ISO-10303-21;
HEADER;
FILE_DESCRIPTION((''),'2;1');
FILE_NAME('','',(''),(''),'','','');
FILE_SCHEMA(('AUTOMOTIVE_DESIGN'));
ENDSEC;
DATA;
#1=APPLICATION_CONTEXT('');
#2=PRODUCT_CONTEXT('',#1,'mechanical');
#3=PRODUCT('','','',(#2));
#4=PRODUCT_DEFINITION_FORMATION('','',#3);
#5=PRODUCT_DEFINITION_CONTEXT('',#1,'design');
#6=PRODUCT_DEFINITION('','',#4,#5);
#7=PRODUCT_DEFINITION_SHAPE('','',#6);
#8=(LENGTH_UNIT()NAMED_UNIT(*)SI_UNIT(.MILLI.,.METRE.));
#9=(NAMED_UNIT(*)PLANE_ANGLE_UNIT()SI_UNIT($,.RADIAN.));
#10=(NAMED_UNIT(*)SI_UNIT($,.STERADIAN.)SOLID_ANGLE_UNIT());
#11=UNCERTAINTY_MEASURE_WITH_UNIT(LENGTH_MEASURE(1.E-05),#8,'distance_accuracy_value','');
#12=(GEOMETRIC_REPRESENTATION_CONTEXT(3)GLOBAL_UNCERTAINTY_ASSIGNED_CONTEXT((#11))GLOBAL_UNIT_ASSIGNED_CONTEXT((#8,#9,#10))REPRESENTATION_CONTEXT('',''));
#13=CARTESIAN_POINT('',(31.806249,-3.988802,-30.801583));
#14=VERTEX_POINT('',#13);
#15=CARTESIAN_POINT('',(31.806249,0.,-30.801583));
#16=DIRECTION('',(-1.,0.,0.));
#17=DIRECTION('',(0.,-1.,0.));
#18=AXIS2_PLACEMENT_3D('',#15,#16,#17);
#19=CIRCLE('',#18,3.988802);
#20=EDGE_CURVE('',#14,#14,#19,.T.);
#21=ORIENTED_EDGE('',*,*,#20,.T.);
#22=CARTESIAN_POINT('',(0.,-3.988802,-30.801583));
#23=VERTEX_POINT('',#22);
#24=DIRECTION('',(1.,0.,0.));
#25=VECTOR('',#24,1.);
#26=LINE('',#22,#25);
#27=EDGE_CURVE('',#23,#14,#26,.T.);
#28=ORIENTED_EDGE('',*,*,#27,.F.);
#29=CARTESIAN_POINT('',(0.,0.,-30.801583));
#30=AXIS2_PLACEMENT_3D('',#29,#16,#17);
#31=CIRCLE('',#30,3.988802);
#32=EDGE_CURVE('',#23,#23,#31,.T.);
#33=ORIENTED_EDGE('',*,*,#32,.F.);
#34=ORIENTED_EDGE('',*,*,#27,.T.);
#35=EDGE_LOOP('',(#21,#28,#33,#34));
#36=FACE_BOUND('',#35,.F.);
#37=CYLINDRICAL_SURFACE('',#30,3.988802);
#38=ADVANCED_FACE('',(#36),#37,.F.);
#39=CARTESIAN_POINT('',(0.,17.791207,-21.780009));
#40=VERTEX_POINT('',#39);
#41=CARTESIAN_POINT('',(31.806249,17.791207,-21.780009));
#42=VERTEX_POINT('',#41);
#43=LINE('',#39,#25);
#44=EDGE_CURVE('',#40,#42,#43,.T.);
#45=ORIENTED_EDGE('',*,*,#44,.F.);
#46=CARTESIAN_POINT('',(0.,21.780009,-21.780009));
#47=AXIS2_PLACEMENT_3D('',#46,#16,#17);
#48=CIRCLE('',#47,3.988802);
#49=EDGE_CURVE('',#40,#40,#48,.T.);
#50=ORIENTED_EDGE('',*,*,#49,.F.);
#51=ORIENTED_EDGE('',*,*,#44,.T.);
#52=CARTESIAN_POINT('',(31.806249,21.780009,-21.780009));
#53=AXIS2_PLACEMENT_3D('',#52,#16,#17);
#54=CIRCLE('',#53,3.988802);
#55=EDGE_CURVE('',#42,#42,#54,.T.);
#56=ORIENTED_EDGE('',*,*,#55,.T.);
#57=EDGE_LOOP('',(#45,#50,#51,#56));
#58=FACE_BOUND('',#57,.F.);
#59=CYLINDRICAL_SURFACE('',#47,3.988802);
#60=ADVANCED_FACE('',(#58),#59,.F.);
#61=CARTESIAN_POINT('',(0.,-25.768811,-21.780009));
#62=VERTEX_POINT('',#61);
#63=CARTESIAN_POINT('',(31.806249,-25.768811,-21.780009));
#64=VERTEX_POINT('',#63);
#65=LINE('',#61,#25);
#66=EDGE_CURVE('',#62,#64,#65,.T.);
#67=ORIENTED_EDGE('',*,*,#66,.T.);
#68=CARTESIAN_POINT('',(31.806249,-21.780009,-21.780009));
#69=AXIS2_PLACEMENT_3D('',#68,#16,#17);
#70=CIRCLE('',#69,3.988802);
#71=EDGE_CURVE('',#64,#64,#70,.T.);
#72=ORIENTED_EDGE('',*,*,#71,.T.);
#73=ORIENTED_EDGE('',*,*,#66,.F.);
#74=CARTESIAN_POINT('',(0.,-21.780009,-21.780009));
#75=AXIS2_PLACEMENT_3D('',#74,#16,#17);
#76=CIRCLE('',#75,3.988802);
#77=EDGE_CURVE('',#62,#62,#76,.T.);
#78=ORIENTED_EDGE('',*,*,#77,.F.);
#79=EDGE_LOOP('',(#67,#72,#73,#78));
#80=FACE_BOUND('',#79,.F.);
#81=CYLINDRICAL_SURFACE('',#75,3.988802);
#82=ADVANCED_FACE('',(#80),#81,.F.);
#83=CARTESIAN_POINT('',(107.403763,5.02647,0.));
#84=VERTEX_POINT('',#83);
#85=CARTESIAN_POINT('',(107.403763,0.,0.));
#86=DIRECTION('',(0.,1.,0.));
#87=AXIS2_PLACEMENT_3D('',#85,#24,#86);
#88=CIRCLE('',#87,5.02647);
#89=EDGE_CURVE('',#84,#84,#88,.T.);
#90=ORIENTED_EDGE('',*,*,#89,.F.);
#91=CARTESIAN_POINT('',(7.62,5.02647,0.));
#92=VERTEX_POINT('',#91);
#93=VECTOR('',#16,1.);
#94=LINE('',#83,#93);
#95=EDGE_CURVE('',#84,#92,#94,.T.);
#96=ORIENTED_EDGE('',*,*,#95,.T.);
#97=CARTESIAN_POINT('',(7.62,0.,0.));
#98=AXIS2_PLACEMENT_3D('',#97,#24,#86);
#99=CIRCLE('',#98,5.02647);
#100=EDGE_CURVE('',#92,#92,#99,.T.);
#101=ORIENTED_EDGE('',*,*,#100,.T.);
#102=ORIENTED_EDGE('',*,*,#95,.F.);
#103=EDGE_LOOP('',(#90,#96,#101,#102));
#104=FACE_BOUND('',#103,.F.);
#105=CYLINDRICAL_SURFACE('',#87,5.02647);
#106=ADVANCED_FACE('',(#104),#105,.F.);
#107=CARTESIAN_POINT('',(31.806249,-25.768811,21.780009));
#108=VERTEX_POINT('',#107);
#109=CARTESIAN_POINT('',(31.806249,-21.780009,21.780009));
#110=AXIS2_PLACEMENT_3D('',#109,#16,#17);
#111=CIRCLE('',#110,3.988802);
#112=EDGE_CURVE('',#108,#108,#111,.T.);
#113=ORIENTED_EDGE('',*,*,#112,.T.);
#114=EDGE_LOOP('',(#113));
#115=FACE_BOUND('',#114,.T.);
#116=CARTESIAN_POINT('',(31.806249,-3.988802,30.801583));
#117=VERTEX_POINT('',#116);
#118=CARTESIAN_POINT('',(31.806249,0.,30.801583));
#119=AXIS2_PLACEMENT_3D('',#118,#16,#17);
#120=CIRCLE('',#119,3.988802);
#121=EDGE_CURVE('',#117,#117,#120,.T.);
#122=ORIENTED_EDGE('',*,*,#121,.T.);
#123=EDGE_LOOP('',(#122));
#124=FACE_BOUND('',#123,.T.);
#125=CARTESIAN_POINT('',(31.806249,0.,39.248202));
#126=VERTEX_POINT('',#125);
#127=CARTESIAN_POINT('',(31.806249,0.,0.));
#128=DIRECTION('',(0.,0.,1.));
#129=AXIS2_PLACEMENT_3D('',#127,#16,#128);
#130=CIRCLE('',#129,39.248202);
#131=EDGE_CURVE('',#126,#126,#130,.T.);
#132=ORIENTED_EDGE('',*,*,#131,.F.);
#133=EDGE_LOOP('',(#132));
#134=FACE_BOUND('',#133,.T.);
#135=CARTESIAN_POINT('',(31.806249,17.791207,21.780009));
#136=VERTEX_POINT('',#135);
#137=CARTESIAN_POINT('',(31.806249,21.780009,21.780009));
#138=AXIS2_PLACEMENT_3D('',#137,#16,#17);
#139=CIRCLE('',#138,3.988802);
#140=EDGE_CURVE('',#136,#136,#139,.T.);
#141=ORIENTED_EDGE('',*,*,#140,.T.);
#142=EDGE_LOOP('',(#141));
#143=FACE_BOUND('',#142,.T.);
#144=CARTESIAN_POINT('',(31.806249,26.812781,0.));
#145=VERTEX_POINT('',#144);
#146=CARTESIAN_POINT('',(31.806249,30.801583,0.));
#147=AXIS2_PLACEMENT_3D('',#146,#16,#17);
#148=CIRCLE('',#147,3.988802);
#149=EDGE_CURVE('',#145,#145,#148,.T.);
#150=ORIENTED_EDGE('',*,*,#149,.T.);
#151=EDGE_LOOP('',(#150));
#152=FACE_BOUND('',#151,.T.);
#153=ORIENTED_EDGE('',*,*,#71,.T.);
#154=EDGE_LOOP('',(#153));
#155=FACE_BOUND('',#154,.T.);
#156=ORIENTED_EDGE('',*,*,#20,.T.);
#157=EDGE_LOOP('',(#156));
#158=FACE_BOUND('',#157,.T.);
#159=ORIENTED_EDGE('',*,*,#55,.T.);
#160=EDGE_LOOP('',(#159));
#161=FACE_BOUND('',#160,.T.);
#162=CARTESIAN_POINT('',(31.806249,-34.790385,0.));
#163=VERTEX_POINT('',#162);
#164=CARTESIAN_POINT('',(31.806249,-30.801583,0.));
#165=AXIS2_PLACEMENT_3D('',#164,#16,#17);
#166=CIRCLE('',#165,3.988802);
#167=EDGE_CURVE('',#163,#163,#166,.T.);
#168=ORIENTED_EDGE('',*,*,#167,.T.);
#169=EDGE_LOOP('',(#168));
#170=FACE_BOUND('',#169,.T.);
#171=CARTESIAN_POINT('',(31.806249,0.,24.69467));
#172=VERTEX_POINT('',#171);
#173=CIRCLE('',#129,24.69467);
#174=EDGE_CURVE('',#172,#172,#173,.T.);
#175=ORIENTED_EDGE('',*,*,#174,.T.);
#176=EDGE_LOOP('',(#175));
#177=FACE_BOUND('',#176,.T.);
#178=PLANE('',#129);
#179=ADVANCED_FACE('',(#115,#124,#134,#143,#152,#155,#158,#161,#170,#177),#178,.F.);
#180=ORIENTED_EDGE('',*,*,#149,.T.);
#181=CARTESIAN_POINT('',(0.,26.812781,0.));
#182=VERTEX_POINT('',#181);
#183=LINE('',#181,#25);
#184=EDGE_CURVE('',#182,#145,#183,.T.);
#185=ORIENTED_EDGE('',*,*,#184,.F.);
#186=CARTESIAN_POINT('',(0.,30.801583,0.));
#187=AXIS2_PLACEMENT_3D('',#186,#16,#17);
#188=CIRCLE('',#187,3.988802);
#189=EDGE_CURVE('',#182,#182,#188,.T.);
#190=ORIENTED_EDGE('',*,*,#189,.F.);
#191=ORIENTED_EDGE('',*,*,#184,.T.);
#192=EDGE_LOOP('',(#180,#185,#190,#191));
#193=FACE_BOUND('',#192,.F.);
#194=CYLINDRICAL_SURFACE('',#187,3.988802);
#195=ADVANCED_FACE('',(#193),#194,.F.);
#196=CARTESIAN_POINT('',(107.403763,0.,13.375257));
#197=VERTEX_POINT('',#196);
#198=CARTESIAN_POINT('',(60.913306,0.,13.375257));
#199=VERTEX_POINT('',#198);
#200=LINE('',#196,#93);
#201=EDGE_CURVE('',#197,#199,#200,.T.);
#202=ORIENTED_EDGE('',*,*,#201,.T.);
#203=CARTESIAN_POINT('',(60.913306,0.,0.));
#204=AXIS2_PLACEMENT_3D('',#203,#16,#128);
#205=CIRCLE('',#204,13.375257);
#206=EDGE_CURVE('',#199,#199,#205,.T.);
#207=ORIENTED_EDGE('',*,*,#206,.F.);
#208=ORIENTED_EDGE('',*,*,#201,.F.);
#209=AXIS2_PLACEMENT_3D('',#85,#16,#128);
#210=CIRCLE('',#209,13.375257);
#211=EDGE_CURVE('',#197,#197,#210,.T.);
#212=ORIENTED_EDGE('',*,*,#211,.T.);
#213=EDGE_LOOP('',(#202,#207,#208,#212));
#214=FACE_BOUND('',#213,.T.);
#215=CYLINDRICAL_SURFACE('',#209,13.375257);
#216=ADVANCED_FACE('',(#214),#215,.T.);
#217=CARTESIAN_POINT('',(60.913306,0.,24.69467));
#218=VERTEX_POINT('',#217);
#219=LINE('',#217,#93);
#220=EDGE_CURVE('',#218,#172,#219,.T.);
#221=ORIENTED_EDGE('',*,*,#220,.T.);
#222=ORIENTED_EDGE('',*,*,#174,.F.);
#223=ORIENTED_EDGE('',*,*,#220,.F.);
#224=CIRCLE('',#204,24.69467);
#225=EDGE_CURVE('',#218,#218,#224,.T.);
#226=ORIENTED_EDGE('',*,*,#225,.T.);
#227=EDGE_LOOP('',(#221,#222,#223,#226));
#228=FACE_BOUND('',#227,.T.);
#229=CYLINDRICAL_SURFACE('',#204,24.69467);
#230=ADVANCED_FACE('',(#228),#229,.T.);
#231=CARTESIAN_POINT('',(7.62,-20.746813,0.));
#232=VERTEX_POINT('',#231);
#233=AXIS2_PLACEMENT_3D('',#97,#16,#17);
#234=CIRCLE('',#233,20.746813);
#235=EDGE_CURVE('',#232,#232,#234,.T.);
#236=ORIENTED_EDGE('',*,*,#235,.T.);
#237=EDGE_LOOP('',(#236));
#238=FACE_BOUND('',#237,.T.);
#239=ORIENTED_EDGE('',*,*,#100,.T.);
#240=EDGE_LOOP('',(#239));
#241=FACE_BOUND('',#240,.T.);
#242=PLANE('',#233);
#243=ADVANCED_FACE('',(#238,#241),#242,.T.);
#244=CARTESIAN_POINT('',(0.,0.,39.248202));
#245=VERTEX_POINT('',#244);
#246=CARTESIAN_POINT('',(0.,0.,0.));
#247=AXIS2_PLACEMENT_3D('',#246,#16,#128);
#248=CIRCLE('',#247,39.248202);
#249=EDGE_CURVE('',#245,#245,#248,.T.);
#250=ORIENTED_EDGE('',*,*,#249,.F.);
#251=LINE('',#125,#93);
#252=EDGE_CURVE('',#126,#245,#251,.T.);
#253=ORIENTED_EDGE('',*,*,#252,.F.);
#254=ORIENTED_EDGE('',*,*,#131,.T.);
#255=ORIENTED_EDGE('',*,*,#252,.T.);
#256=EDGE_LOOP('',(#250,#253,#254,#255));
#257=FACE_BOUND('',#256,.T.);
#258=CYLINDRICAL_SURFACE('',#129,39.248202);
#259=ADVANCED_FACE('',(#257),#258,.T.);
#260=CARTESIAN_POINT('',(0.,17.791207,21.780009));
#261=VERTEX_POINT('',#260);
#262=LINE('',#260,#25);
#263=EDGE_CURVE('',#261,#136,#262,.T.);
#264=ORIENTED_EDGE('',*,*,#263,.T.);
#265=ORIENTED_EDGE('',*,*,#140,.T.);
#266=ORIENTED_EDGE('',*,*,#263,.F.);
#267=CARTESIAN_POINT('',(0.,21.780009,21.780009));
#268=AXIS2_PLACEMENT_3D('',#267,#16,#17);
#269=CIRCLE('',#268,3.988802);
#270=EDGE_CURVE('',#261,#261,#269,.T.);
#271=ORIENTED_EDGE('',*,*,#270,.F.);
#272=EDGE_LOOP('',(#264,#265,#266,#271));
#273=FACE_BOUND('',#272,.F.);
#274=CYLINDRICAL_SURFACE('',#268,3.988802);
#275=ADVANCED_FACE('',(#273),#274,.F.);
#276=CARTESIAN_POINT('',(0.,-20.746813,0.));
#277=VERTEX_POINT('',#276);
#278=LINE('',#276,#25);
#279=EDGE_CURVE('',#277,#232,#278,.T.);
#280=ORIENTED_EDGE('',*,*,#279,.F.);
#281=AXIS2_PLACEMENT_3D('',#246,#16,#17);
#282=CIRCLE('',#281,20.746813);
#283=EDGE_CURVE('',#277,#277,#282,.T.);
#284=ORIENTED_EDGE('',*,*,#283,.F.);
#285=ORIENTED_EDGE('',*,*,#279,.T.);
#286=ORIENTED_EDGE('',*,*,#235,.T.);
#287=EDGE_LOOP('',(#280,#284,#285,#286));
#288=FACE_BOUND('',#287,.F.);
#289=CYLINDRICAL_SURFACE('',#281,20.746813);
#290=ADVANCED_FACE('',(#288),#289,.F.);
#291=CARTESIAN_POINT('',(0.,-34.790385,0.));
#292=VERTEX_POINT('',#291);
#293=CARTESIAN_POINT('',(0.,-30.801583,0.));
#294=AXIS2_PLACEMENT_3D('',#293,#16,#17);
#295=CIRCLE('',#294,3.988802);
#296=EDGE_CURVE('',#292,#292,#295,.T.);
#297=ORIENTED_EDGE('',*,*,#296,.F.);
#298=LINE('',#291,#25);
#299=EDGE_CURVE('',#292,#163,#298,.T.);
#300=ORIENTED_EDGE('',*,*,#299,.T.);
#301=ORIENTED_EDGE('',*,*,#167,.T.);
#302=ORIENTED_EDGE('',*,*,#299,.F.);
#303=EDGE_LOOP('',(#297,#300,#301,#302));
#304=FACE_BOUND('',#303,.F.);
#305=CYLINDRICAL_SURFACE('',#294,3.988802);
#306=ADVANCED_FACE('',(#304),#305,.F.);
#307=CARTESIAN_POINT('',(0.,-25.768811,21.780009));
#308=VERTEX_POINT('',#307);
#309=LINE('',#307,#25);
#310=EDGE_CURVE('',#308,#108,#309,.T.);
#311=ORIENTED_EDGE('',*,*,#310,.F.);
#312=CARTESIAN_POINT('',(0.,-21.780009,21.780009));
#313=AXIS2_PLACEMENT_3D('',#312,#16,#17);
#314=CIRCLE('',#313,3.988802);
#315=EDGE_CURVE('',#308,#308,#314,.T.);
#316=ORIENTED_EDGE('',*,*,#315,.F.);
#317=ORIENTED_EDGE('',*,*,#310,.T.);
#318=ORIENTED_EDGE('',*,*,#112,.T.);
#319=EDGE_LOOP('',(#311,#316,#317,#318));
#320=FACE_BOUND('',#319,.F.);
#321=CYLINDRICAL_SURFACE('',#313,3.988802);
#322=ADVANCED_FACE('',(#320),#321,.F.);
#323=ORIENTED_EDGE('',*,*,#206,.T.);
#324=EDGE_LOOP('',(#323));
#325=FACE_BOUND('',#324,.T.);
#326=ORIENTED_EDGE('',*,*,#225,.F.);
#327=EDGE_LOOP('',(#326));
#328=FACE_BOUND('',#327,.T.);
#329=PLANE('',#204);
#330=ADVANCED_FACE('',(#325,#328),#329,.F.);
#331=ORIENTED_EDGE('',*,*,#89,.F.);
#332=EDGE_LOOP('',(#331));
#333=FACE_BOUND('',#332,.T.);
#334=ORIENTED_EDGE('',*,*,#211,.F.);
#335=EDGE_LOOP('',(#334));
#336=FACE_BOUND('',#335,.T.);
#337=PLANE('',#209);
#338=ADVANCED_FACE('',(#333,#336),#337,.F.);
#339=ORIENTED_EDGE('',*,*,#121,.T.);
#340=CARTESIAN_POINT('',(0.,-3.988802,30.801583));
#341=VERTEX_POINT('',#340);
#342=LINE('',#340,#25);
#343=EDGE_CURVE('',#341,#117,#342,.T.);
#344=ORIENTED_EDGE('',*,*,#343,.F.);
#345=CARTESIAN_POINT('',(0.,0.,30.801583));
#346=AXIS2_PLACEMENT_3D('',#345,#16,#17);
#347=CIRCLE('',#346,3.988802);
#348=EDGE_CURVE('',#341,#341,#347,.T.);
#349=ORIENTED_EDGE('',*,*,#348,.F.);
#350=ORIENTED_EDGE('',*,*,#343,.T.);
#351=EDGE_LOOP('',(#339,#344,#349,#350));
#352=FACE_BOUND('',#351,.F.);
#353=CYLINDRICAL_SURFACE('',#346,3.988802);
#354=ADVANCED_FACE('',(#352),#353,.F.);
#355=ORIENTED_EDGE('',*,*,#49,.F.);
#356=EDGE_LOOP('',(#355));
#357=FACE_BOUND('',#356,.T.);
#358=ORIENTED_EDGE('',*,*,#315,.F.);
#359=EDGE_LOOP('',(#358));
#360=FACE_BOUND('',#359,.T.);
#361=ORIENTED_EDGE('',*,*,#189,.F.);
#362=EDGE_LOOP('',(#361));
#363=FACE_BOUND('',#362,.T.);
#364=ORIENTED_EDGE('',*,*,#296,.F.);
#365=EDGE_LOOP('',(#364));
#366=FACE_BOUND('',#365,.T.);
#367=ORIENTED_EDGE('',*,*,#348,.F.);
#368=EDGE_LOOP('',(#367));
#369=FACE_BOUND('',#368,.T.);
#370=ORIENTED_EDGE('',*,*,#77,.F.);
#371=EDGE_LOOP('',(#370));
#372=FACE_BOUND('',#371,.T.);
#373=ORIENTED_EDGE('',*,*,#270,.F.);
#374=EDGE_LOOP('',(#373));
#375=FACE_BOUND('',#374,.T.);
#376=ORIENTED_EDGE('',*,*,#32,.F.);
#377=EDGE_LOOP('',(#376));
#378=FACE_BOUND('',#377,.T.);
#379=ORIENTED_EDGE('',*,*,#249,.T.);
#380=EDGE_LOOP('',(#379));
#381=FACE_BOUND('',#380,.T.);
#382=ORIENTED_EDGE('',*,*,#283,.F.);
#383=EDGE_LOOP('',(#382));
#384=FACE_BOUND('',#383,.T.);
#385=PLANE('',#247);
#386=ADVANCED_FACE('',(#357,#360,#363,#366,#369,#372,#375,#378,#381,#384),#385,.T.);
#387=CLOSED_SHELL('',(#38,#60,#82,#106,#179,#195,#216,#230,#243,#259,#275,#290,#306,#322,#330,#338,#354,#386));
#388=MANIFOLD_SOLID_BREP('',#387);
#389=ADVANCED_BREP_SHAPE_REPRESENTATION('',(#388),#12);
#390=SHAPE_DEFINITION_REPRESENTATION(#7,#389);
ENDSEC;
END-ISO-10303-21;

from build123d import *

# Parameters (mm, degrees)
F2_R     = 20.746813
F3_DEPTH = 7.62
F4_R     = 5.02647
F5_DEPTH = 107.404763
F6_R     = 3.988802
F7_DEPTH = 107.404763


with BuildPart() as f1:
    # F0 (on Front) → F1 (revolve)
    with BuildSketch(Plane.XZ):
        Polygon((0, 39.248202), (0, 0), (107.403763, 0), (107.403763, 13.375257), (60.913306, 13.375257), (60.913306, 24.69467), (31.806249, 24.69467), (31.806249, 39.248202), align=None)
    revolve(axis=Axis((53.701881, 0, 0), (-1, 0, 0)))

    # F2 (on face) → F3 (cut)
    with BuildSketch(Plane(origin=(0, 0, 0), x_dir=(0, -1, 0), z_dir=(-1, 0, 0))):
        Circle(F2_R)
    extrude(amount=-F3_DEPTH, mode=Mode.SUBTRACT)

    # F4 (on face) → F5 (cut, through all)
    with BuildSketch(Plane.YZ.offset(107.403763)):
        Circle(F4_R)
    extrude(amount=-F5_DEPTH, mode=Mode.SUBTRACT)

    # F6 (on face) → F7 (cut, through all)
    with BuildSketch(Plane(origin=(0, 0, 0), x_dir=(0, -1, 0), z_dir=(-1, 0, 0))):
        with Locations((0, 30.801583)):
            Circle(F6_R)
        with Locations((-21.780009, 21.780009)):
            Circle(F6_R)
        with Locations((-30.801583, 0)):
            Circle(F6_R)
        with Locations((-21.780009, -21.780009)):
            Circle(F6_R)
        with Locations((0, -30.801583)):
            Circle(F6_R)
        with Locations((21.780009, -21.780009)):
            Circle(F6_R)
        with Locations((30.801583, 0)):
            Circle(F6_R)
        with Locations((21.780009, 21.780009)):
            Circle(F6_R)
    extrude(amount=-F7_DEPTH, mode=Mode.SUBTRACT)


solid = f1.part
